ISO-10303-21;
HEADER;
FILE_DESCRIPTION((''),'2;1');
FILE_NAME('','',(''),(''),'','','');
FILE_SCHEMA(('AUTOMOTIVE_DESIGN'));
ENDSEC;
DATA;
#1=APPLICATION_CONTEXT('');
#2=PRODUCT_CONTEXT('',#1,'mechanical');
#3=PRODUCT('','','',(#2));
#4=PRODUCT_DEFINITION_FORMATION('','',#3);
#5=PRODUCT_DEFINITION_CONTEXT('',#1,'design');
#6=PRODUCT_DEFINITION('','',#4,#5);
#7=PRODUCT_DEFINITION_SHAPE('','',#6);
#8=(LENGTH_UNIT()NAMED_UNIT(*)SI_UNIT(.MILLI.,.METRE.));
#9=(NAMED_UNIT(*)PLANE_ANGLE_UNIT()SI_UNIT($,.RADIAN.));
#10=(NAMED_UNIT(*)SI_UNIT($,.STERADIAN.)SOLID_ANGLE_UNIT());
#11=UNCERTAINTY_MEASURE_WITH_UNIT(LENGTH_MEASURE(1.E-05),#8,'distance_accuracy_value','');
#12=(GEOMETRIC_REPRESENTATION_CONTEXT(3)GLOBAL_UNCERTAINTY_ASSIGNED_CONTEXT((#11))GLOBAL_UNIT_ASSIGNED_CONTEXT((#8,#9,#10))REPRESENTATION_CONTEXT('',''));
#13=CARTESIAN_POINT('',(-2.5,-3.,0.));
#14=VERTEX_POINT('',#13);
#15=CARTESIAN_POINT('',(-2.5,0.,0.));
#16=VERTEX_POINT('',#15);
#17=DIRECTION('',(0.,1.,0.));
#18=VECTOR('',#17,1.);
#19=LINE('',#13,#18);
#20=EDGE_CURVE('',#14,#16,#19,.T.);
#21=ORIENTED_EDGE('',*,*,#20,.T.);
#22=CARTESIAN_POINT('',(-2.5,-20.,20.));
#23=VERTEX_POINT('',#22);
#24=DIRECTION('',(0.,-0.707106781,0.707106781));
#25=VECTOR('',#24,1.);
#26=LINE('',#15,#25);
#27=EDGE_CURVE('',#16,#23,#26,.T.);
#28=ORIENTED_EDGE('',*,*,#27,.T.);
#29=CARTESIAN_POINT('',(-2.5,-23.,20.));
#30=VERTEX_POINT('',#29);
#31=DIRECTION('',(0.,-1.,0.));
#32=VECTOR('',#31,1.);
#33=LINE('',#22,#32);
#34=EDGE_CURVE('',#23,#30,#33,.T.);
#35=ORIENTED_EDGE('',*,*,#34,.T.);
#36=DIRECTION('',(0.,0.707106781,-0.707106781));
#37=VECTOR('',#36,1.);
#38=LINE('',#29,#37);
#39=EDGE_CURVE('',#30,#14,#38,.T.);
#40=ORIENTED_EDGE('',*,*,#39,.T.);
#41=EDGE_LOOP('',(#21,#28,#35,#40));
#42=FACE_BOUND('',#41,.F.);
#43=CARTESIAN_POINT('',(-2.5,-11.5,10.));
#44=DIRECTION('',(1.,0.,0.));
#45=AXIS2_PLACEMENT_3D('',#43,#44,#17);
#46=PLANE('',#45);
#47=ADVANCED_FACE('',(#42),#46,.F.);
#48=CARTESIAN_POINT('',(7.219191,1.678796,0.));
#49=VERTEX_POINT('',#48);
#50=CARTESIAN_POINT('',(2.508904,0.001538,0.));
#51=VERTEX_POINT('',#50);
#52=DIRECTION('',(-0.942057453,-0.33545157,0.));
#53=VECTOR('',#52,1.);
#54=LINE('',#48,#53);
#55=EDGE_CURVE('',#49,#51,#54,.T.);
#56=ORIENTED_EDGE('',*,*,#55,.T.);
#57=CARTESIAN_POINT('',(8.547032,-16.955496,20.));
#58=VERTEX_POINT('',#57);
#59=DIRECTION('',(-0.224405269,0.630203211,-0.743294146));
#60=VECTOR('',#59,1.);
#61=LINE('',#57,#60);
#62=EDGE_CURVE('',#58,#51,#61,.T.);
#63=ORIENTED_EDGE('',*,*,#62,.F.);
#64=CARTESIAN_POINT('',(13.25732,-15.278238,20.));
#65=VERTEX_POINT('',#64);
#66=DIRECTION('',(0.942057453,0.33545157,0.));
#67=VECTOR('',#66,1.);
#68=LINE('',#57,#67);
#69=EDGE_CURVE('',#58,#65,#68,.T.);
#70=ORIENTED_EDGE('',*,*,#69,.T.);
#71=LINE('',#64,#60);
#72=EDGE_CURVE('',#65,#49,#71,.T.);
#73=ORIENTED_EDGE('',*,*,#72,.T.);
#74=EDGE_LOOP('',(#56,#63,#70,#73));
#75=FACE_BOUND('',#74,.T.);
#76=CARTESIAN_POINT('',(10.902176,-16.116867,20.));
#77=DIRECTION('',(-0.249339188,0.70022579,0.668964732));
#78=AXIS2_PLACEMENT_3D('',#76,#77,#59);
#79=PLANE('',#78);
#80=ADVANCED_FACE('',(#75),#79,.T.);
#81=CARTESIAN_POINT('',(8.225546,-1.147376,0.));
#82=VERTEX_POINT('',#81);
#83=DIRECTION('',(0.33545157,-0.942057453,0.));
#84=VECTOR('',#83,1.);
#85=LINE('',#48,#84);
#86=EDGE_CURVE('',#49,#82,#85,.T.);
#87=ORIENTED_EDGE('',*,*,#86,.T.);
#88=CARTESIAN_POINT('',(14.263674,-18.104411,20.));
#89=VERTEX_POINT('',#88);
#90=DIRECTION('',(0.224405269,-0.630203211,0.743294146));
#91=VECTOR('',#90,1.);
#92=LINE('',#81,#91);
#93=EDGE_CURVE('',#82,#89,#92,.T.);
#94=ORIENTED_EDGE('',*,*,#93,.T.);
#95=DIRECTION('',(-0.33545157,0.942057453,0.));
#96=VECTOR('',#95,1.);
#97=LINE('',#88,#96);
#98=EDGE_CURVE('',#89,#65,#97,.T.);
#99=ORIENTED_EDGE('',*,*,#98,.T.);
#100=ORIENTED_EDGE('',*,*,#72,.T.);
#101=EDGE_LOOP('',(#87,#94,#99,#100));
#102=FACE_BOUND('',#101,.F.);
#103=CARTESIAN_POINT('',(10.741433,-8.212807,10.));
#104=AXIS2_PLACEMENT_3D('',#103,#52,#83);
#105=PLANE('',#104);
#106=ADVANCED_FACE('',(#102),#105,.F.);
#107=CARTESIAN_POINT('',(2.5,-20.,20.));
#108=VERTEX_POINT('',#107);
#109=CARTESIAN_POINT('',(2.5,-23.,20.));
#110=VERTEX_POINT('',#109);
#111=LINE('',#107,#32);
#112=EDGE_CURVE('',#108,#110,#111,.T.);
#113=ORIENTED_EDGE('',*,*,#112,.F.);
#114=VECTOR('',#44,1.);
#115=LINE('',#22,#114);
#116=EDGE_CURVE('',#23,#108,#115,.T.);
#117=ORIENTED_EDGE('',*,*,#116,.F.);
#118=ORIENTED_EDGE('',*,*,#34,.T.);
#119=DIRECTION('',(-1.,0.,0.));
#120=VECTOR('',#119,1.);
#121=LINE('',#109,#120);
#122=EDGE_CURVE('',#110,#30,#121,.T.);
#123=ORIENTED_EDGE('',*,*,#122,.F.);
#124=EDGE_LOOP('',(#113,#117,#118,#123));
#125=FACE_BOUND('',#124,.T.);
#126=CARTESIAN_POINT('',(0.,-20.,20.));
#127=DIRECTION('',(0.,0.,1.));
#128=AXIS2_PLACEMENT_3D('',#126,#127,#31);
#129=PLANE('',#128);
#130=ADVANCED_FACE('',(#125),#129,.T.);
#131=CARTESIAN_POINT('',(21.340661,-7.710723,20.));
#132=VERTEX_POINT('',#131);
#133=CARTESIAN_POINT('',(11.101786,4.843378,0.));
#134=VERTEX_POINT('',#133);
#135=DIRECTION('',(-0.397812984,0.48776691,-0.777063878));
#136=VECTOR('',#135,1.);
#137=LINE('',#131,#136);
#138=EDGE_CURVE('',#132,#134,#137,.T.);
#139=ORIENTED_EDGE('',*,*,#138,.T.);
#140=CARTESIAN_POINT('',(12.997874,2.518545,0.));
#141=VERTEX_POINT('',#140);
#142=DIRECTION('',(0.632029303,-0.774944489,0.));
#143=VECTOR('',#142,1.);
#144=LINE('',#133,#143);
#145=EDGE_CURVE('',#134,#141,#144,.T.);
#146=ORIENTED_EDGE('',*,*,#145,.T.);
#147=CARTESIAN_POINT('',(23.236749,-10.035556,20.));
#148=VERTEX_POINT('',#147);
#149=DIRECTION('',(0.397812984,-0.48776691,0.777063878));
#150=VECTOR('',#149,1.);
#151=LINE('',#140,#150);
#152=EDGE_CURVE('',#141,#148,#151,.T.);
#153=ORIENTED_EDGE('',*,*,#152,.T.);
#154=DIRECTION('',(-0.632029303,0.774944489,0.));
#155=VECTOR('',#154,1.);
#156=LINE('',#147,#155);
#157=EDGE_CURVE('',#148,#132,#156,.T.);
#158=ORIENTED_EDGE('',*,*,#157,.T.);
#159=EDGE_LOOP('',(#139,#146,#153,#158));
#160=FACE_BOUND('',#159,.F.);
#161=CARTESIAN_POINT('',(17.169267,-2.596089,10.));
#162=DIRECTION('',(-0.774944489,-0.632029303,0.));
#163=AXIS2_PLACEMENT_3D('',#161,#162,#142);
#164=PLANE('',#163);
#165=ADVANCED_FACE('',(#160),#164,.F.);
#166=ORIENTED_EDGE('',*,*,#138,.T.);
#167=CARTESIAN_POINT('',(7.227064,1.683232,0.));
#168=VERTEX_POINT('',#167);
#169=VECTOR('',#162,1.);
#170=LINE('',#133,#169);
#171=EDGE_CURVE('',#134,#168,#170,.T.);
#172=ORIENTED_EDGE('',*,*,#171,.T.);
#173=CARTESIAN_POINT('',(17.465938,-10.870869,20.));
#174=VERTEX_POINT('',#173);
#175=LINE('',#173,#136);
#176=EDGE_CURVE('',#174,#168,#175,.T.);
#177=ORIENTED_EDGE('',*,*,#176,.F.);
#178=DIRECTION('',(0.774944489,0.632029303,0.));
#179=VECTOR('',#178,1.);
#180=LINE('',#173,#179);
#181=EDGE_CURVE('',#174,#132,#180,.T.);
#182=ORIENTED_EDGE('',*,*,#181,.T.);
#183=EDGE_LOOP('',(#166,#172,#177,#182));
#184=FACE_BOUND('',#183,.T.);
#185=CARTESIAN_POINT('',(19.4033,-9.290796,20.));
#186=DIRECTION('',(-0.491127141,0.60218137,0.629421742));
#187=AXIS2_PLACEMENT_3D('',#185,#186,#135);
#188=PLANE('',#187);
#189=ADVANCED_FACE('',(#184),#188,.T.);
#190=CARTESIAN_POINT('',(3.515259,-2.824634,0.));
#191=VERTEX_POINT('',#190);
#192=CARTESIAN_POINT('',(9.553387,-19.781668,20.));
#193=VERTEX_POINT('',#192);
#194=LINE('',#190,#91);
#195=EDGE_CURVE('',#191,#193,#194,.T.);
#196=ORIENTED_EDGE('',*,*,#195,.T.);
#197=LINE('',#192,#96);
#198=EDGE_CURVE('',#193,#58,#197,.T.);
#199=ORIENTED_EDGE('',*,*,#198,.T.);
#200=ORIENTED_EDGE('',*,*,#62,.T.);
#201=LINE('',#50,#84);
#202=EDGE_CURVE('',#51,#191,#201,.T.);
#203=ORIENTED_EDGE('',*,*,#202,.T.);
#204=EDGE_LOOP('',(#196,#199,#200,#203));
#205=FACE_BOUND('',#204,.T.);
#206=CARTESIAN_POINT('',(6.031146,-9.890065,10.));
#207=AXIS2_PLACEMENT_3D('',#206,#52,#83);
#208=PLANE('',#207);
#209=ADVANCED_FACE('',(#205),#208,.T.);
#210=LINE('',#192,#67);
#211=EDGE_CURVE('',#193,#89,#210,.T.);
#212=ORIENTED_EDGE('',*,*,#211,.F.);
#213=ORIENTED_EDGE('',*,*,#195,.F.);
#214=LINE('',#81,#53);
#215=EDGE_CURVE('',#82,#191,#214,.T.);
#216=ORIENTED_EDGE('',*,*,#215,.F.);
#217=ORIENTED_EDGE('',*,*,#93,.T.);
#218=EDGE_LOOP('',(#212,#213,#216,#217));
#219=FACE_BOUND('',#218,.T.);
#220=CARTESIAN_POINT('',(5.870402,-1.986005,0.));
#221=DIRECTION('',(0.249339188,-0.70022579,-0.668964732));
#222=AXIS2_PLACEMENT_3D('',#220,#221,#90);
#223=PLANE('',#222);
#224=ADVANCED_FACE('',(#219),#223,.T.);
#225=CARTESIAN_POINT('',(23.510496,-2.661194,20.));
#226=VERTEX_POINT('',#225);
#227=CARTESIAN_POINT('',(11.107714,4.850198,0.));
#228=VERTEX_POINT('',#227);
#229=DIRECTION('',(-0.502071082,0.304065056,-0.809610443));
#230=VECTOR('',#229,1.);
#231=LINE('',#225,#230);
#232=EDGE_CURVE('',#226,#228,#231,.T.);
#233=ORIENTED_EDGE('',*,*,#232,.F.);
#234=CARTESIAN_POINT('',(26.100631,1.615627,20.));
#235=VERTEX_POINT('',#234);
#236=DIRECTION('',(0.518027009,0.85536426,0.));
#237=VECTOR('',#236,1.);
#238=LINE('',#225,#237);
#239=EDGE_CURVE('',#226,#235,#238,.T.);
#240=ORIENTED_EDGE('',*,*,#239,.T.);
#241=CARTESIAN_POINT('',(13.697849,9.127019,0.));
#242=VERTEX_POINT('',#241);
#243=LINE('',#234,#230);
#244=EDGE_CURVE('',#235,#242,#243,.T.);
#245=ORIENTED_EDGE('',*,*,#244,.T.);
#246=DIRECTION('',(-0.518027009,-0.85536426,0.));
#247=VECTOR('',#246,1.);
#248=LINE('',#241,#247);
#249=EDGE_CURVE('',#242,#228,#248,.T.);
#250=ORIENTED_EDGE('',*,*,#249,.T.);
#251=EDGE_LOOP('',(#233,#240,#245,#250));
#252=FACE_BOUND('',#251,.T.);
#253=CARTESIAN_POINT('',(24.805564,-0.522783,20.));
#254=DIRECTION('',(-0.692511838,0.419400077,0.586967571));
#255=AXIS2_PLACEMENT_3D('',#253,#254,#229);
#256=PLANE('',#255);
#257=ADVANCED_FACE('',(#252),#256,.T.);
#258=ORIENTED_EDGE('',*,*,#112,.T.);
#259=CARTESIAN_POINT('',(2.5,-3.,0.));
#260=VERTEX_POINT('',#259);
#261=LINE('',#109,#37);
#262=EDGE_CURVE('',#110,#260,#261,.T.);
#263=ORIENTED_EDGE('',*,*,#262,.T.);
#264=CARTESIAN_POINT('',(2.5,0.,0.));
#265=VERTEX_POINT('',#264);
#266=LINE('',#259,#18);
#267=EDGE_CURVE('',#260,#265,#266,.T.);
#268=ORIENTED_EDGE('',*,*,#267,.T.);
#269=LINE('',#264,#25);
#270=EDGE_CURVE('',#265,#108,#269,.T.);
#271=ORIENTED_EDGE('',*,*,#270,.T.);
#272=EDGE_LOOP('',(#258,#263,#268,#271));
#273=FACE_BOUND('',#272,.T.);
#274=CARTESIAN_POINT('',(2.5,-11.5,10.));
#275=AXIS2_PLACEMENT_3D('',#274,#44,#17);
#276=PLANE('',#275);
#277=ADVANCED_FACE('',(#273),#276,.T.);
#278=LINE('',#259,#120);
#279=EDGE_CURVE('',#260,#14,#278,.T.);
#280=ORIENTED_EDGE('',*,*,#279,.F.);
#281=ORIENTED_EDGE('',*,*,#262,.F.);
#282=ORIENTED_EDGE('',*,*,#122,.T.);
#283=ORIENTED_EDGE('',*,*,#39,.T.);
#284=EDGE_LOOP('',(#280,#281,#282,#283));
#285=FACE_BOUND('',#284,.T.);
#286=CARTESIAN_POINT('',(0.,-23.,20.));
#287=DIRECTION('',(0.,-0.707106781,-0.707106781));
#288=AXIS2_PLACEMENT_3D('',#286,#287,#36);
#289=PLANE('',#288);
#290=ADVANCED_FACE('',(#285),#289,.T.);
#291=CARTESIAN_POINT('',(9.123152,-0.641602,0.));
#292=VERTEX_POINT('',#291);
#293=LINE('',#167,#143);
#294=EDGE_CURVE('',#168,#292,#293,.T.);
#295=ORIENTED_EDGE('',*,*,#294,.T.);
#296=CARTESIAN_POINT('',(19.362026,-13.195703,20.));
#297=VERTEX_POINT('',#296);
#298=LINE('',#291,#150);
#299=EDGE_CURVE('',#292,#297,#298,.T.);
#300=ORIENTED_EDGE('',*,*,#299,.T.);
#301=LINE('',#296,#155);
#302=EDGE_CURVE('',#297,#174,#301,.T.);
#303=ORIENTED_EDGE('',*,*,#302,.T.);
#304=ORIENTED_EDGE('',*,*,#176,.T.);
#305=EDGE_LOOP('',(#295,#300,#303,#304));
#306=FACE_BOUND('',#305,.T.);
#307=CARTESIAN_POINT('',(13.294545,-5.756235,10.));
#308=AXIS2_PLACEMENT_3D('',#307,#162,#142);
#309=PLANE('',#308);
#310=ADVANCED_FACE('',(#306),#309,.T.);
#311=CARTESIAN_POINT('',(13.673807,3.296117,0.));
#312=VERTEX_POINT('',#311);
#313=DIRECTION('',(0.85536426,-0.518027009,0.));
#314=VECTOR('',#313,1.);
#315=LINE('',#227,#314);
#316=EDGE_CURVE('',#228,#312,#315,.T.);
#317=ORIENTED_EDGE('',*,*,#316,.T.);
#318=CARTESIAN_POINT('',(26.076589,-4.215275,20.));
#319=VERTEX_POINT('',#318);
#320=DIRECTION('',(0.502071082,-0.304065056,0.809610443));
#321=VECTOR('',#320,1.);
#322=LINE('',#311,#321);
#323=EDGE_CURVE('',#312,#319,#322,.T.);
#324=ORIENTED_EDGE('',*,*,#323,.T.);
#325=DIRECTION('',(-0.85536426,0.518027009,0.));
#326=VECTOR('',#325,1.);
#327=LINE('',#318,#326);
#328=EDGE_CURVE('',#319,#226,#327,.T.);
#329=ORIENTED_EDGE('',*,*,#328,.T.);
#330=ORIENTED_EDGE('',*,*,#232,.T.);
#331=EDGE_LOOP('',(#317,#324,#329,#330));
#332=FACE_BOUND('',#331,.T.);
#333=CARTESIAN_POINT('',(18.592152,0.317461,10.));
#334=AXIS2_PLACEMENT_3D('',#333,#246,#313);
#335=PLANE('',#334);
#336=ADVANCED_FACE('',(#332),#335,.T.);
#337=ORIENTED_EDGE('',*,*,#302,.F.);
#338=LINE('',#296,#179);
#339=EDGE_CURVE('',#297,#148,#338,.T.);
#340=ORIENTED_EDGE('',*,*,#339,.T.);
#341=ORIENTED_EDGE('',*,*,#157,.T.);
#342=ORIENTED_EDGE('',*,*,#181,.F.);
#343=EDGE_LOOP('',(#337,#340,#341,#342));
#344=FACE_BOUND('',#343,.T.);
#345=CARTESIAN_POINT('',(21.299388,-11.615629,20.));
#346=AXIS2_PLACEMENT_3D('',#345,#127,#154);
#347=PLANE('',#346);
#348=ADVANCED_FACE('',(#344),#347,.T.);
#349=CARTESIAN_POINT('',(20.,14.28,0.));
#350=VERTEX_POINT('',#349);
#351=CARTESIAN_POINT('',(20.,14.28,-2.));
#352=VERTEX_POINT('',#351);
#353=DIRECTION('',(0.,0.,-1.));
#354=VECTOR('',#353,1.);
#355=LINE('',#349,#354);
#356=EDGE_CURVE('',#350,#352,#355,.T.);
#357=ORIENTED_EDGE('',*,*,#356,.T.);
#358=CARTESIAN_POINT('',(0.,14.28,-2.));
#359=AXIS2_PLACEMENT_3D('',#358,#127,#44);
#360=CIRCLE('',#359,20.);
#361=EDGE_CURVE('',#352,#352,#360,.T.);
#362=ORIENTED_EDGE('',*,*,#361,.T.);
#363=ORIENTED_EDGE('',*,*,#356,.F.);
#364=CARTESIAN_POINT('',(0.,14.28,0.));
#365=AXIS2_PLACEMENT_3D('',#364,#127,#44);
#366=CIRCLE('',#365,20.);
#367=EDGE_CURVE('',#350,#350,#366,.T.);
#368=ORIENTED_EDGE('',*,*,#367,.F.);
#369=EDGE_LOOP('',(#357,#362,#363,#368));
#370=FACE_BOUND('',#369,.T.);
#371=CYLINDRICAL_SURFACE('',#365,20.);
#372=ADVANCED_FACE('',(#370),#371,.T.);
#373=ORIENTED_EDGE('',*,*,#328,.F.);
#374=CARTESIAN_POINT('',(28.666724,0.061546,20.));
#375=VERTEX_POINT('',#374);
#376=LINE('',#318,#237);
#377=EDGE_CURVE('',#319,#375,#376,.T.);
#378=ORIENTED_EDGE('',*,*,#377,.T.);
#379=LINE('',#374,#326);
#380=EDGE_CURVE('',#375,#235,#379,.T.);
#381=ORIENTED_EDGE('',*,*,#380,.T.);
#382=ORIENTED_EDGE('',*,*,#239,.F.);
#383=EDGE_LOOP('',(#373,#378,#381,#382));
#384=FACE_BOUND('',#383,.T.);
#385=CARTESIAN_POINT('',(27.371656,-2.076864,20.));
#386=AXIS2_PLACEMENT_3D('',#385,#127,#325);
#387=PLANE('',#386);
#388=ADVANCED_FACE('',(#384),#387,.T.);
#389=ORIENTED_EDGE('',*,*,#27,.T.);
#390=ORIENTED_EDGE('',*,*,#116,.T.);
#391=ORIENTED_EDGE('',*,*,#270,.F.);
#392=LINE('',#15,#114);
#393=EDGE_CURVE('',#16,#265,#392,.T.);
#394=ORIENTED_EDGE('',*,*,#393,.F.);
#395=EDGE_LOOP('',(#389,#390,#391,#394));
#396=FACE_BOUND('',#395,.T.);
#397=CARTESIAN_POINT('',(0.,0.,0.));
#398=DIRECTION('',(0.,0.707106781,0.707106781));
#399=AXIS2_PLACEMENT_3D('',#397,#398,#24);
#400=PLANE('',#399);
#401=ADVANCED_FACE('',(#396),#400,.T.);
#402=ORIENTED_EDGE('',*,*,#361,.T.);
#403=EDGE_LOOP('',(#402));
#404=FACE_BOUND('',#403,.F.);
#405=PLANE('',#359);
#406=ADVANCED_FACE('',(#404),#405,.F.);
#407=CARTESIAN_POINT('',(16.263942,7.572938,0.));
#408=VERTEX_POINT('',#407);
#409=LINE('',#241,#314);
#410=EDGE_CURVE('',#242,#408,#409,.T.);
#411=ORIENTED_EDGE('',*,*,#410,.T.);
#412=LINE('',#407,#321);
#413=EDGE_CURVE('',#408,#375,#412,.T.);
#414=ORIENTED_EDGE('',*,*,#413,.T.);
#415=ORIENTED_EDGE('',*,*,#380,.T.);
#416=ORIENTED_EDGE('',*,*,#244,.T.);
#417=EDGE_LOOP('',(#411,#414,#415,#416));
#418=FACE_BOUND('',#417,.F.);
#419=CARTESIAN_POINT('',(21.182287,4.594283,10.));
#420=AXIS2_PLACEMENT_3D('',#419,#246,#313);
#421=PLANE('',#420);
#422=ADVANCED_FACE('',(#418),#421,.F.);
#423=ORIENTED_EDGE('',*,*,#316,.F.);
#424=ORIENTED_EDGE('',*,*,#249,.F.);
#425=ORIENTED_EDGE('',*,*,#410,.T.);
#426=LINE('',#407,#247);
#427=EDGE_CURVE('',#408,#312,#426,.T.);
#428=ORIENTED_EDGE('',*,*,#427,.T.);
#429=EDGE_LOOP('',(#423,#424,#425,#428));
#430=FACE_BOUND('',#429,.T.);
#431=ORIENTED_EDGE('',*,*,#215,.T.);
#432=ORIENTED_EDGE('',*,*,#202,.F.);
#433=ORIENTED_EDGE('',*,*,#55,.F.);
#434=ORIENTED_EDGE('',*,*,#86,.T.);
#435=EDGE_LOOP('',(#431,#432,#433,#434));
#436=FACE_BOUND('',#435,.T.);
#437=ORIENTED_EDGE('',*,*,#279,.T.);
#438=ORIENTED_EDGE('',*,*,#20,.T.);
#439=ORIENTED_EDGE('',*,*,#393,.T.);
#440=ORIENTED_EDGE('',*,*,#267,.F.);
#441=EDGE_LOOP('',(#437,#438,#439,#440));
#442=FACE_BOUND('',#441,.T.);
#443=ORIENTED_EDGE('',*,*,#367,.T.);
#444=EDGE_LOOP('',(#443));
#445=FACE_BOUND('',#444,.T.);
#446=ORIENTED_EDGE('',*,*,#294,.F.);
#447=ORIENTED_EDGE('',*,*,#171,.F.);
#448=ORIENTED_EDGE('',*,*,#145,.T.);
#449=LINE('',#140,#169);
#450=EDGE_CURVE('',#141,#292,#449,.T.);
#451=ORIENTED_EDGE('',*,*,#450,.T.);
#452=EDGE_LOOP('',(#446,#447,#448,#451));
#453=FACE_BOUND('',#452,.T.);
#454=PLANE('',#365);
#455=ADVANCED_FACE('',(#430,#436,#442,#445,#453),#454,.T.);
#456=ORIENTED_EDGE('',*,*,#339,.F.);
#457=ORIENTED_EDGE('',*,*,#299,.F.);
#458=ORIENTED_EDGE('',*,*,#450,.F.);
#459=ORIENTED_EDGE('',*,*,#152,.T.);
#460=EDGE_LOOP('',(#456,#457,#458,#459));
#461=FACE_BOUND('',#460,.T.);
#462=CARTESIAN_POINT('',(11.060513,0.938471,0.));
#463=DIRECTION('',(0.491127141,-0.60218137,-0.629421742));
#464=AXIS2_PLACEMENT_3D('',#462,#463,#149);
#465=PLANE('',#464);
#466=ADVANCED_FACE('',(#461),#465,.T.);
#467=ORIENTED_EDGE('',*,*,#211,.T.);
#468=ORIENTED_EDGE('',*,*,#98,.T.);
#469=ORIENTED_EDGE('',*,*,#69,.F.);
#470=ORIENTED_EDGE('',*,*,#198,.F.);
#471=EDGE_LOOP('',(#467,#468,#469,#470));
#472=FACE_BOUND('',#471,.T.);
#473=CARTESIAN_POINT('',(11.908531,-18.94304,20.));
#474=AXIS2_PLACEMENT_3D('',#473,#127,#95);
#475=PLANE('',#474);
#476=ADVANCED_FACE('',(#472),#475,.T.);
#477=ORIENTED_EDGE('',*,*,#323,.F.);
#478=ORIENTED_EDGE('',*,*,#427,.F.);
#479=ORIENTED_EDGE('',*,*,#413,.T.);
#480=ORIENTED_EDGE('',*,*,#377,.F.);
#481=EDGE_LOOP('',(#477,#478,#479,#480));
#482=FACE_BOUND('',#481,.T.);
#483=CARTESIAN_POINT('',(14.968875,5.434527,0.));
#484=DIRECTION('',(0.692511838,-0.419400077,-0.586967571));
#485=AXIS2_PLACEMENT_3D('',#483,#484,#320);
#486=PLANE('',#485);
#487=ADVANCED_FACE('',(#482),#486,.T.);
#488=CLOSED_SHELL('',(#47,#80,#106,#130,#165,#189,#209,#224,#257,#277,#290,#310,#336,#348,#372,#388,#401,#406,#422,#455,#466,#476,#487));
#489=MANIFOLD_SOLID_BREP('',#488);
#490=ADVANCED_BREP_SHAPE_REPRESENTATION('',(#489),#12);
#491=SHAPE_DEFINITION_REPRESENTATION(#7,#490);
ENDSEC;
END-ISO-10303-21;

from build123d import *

# Parameters (mm, degrees)
F3_DEPTH  = 2.5
F4_R      = 20
F5_DEPTH  = 2
F6_DEPTH  = 2.5
F9_DEPTH  = 2.5
F12_DEPTH = 2.5


with BuildPart() as f3:
    # F0 (on Right) → F3 (new body, symmetric)
    with BuildSketch(Plane.YZ):
        Polygon((-3, 0), (0, 0), (-20, 20), (-23, 20), align=None)
    extrude(amount=F3_DEPTH, both=True)

    # F4 (on Top) → F5 (join)
    with BuildSketch(Plane.XY):
        with Locations((0, 14.28)):
            Circle(F4_R)
    extrude(amount=-F5_DEPTH)

    # F2 (on line) → F6 (join, symmetric)
    with BuildSketch(Plane(origin=(4.5822124443, 1.6316524569, 0), x_dir=(0.3354515698, -0.9420574528, 0), z_dir=(-0.9420574528, -0.3354515698, 0))):
        Polygon((18.8401669346, 20), (0.8401669346, 0), (3.8401669346, 0), (21.8401669346, 20), align=None)
    extrude(amount=F6_DEPTH, both=True)

    # F8 (on line) → F9 (join, symmetric)
    with BuildSketch(Plane(origin=(7.1019205596, 5.7921850717, 0), x_dir=(0.6320293027, -0.7749444887, 0), z_dir=(-0.7749444887, -0.6320293027, 0))):
        Polygon((19.4633049138, 20), (3.2633049138, 0), (6.2633049138, 0), (22.4633049138, 20), align=None)
    extrude(amount=F9_DEPTH, both=True)

    # F11 (on line) → F12 (join, symmetric)
    with BuildSketch(Plane(origin=(6.4249759494, 10.6088962546, 0), x_dir=(0.8553642602, -0.5180270094, 0), z_dir=(-0.5180270094, -0.8553642602, 0))):
        Polygon((21.4886083641, 20), (6.9886083641, 0), (9.9886083641, 0), (24.4886083641, 20), align=None)
    extrude(amount=F12_DEPTH, both=True)


solid = f3.part
